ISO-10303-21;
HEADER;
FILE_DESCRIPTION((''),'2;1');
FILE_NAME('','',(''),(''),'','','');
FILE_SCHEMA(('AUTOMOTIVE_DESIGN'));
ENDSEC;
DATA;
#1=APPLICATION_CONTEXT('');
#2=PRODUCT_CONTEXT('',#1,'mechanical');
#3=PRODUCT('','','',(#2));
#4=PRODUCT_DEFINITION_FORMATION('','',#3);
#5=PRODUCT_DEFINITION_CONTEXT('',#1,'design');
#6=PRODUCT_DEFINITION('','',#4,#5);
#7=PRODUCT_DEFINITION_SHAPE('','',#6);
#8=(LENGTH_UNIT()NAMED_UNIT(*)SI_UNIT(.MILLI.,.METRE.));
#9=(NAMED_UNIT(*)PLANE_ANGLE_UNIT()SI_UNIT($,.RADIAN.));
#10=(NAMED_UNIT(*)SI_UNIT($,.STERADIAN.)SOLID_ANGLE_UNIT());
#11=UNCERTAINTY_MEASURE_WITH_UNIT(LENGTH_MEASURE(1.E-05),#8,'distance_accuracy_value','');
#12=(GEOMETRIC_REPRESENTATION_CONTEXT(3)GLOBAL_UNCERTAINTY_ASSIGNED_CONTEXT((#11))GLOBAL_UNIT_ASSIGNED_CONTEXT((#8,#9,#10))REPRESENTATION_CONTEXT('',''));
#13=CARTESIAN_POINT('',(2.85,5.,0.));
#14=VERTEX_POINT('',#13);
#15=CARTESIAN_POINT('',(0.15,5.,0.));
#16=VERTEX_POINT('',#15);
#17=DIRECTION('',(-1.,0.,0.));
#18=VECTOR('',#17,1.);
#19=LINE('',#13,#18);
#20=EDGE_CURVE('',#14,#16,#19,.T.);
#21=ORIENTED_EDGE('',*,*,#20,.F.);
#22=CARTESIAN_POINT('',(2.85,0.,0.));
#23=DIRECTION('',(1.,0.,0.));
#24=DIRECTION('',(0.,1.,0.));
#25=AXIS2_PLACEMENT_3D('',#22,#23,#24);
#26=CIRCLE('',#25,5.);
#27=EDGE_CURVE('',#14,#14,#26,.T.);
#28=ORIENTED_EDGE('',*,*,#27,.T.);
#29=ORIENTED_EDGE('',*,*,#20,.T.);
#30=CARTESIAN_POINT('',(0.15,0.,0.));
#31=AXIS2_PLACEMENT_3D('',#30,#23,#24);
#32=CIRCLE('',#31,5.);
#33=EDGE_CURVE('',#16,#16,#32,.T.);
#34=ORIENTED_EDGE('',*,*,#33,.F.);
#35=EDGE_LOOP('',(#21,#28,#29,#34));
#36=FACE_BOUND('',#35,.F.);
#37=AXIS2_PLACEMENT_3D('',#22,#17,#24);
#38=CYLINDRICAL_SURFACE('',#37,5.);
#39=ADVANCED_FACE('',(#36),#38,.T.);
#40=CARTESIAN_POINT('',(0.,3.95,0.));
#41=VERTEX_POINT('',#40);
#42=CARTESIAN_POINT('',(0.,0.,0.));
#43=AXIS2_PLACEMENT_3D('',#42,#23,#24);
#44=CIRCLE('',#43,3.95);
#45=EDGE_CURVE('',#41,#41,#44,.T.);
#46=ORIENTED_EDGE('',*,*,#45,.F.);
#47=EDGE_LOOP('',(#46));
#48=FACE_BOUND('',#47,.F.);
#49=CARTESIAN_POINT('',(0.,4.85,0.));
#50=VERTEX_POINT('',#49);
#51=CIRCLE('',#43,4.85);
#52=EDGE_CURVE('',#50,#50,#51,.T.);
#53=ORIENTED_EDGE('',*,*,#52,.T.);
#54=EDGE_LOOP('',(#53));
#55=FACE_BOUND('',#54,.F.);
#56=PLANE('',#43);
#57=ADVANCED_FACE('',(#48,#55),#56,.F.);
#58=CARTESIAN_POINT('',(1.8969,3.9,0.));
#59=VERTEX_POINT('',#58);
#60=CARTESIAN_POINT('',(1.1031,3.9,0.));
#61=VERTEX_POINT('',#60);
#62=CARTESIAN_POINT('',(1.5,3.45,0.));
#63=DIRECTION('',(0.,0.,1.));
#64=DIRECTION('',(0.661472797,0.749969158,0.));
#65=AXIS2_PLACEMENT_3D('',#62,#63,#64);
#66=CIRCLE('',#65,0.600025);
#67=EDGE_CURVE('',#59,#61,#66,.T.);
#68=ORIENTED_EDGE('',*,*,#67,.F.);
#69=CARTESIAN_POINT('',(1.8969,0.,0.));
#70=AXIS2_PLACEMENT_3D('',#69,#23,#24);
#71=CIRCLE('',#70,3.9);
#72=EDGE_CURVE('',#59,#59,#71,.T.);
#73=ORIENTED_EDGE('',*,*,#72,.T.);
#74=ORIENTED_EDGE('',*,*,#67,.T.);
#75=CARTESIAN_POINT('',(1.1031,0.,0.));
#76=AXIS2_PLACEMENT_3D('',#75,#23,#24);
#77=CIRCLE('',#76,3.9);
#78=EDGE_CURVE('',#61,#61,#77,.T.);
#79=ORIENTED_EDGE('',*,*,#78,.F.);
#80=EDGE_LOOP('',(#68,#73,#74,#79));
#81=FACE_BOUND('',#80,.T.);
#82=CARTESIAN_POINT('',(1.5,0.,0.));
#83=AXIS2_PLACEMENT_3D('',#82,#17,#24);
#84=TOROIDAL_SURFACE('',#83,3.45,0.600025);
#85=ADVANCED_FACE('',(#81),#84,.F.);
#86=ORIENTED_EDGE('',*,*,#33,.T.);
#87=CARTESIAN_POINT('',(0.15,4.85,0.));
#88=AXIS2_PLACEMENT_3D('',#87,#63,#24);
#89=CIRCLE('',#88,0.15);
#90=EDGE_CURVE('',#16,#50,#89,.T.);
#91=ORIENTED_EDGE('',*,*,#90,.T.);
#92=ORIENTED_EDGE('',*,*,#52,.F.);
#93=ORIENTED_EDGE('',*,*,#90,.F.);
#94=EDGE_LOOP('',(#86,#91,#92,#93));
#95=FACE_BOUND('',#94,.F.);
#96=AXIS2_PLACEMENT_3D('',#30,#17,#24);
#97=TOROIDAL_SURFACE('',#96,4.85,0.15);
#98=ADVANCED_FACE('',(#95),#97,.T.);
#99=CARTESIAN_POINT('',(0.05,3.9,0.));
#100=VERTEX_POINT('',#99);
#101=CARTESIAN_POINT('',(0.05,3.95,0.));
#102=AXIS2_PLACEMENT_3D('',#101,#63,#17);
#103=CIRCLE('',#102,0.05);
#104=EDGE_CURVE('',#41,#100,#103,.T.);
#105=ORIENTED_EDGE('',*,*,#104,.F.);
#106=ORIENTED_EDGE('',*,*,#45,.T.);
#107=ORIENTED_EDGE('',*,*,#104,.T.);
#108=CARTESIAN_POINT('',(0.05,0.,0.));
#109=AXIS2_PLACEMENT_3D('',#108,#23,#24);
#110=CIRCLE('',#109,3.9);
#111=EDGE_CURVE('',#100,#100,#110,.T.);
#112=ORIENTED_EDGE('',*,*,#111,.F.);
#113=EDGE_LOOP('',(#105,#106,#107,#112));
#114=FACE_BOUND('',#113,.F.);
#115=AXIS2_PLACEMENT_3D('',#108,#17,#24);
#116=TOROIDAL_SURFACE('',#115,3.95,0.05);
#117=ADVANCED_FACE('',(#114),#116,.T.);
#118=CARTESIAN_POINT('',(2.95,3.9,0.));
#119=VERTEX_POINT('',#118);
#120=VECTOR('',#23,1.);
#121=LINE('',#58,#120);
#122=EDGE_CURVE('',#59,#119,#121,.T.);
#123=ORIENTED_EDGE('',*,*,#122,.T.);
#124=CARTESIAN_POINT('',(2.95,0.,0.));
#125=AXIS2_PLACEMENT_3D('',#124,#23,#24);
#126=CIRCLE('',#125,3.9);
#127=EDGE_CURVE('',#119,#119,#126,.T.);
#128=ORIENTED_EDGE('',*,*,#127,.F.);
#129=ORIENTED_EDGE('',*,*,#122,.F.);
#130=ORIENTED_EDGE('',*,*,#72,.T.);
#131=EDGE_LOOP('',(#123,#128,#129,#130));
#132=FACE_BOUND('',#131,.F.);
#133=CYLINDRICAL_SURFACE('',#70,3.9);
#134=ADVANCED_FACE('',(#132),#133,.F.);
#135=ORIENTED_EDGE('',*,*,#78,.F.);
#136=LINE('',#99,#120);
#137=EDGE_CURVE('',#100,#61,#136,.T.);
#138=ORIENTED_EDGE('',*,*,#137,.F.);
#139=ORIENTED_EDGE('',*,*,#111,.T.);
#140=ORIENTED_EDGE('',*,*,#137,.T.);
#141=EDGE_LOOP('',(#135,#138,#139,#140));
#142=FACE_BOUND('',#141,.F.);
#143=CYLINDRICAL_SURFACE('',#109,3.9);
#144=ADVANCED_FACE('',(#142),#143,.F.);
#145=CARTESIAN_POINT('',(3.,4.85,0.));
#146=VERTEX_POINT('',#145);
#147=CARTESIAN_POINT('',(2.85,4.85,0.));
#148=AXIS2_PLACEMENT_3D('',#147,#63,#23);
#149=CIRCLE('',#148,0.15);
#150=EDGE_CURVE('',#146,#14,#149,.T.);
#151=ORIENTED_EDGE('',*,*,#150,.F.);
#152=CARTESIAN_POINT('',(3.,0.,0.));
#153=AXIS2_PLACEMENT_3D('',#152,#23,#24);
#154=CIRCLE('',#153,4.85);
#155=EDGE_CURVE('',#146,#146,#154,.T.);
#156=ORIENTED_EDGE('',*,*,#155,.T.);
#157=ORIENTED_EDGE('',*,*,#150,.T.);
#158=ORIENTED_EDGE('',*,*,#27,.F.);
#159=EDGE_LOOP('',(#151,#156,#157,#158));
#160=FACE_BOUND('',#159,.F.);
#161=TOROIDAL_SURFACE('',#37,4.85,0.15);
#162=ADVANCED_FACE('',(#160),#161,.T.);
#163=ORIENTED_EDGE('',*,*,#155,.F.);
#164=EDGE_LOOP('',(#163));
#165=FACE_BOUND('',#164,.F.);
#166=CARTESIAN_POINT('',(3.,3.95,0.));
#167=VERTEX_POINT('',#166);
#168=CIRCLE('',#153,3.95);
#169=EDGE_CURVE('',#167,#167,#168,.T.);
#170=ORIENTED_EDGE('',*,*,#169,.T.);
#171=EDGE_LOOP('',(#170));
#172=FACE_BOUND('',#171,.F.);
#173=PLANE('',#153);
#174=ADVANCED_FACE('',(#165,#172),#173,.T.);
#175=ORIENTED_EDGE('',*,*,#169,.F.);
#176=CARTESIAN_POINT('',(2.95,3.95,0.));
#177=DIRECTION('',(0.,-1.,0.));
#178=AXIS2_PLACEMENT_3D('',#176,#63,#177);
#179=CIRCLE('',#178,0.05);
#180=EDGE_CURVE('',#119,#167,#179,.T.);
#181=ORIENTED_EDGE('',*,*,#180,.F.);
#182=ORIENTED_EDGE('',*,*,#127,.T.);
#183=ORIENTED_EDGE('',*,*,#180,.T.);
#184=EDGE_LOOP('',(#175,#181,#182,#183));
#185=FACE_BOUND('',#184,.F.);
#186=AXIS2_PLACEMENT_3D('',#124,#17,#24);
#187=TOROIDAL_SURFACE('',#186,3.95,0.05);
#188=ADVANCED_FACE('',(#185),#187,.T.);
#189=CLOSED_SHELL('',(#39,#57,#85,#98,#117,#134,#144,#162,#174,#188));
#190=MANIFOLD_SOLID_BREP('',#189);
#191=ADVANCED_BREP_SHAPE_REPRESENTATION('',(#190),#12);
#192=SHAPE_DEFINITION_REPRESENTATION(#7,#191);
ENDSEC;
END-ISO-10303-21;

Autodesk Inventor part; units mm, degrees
sketch "Sketch_7" plane through (0, 0, 0) normal (0, 0, 1) x (1, 0, 0)
  line L0 (3, 0) -> (-3, 0)
  arc A0 (0, 3.95) -> (0.05, 3.9) centre (0.05, 3.95) ccw
  line L1 (0.05, 3.9) -> (1.1031, 3.9)
  arc A1 (1.8969, 3.9) -> (1.1031, 3.9) centre (1.5, 3.45) ccw
  line L2 (1.8969, 3.9) -> (2.95, 3.9)
  arc A2 (2.95, 3.9) -> (3, 3.95) centre (2.95, 3.95) ccw
  line L3 (3, 3.95) -> (3, 4.85)
  arc A3 (3, 4.85) -> (2.85, 5) centre (2.85, 4.85) ccw
  line L4 (2.85, 5) -> (0.15, 5)
  arc A4 (0.15, 5) -> (0, 4.85) centre (0.15, 4.85) ccw
  line L5 (0, 4.85) -> (0, 3.95)
revolve "Revolution1" add sketch "Sketch_7" angle 360 about axis through (3, 0, 0) along (1, 0, 0)
ref_plane "or_XY" through (0, 0, 0) normal (0, 0, 1) x (1, 0, 0)
ref_plane "or_YZ" through (0, 0, 0) normal (1, 0, 0) x (0, 1, 0)
ref_plane "or_ZX" through (0, 0, 0) normal (0, 1, 0) x (0, 0, 1)
properties part number "SKF_WBB1-8705_or"
